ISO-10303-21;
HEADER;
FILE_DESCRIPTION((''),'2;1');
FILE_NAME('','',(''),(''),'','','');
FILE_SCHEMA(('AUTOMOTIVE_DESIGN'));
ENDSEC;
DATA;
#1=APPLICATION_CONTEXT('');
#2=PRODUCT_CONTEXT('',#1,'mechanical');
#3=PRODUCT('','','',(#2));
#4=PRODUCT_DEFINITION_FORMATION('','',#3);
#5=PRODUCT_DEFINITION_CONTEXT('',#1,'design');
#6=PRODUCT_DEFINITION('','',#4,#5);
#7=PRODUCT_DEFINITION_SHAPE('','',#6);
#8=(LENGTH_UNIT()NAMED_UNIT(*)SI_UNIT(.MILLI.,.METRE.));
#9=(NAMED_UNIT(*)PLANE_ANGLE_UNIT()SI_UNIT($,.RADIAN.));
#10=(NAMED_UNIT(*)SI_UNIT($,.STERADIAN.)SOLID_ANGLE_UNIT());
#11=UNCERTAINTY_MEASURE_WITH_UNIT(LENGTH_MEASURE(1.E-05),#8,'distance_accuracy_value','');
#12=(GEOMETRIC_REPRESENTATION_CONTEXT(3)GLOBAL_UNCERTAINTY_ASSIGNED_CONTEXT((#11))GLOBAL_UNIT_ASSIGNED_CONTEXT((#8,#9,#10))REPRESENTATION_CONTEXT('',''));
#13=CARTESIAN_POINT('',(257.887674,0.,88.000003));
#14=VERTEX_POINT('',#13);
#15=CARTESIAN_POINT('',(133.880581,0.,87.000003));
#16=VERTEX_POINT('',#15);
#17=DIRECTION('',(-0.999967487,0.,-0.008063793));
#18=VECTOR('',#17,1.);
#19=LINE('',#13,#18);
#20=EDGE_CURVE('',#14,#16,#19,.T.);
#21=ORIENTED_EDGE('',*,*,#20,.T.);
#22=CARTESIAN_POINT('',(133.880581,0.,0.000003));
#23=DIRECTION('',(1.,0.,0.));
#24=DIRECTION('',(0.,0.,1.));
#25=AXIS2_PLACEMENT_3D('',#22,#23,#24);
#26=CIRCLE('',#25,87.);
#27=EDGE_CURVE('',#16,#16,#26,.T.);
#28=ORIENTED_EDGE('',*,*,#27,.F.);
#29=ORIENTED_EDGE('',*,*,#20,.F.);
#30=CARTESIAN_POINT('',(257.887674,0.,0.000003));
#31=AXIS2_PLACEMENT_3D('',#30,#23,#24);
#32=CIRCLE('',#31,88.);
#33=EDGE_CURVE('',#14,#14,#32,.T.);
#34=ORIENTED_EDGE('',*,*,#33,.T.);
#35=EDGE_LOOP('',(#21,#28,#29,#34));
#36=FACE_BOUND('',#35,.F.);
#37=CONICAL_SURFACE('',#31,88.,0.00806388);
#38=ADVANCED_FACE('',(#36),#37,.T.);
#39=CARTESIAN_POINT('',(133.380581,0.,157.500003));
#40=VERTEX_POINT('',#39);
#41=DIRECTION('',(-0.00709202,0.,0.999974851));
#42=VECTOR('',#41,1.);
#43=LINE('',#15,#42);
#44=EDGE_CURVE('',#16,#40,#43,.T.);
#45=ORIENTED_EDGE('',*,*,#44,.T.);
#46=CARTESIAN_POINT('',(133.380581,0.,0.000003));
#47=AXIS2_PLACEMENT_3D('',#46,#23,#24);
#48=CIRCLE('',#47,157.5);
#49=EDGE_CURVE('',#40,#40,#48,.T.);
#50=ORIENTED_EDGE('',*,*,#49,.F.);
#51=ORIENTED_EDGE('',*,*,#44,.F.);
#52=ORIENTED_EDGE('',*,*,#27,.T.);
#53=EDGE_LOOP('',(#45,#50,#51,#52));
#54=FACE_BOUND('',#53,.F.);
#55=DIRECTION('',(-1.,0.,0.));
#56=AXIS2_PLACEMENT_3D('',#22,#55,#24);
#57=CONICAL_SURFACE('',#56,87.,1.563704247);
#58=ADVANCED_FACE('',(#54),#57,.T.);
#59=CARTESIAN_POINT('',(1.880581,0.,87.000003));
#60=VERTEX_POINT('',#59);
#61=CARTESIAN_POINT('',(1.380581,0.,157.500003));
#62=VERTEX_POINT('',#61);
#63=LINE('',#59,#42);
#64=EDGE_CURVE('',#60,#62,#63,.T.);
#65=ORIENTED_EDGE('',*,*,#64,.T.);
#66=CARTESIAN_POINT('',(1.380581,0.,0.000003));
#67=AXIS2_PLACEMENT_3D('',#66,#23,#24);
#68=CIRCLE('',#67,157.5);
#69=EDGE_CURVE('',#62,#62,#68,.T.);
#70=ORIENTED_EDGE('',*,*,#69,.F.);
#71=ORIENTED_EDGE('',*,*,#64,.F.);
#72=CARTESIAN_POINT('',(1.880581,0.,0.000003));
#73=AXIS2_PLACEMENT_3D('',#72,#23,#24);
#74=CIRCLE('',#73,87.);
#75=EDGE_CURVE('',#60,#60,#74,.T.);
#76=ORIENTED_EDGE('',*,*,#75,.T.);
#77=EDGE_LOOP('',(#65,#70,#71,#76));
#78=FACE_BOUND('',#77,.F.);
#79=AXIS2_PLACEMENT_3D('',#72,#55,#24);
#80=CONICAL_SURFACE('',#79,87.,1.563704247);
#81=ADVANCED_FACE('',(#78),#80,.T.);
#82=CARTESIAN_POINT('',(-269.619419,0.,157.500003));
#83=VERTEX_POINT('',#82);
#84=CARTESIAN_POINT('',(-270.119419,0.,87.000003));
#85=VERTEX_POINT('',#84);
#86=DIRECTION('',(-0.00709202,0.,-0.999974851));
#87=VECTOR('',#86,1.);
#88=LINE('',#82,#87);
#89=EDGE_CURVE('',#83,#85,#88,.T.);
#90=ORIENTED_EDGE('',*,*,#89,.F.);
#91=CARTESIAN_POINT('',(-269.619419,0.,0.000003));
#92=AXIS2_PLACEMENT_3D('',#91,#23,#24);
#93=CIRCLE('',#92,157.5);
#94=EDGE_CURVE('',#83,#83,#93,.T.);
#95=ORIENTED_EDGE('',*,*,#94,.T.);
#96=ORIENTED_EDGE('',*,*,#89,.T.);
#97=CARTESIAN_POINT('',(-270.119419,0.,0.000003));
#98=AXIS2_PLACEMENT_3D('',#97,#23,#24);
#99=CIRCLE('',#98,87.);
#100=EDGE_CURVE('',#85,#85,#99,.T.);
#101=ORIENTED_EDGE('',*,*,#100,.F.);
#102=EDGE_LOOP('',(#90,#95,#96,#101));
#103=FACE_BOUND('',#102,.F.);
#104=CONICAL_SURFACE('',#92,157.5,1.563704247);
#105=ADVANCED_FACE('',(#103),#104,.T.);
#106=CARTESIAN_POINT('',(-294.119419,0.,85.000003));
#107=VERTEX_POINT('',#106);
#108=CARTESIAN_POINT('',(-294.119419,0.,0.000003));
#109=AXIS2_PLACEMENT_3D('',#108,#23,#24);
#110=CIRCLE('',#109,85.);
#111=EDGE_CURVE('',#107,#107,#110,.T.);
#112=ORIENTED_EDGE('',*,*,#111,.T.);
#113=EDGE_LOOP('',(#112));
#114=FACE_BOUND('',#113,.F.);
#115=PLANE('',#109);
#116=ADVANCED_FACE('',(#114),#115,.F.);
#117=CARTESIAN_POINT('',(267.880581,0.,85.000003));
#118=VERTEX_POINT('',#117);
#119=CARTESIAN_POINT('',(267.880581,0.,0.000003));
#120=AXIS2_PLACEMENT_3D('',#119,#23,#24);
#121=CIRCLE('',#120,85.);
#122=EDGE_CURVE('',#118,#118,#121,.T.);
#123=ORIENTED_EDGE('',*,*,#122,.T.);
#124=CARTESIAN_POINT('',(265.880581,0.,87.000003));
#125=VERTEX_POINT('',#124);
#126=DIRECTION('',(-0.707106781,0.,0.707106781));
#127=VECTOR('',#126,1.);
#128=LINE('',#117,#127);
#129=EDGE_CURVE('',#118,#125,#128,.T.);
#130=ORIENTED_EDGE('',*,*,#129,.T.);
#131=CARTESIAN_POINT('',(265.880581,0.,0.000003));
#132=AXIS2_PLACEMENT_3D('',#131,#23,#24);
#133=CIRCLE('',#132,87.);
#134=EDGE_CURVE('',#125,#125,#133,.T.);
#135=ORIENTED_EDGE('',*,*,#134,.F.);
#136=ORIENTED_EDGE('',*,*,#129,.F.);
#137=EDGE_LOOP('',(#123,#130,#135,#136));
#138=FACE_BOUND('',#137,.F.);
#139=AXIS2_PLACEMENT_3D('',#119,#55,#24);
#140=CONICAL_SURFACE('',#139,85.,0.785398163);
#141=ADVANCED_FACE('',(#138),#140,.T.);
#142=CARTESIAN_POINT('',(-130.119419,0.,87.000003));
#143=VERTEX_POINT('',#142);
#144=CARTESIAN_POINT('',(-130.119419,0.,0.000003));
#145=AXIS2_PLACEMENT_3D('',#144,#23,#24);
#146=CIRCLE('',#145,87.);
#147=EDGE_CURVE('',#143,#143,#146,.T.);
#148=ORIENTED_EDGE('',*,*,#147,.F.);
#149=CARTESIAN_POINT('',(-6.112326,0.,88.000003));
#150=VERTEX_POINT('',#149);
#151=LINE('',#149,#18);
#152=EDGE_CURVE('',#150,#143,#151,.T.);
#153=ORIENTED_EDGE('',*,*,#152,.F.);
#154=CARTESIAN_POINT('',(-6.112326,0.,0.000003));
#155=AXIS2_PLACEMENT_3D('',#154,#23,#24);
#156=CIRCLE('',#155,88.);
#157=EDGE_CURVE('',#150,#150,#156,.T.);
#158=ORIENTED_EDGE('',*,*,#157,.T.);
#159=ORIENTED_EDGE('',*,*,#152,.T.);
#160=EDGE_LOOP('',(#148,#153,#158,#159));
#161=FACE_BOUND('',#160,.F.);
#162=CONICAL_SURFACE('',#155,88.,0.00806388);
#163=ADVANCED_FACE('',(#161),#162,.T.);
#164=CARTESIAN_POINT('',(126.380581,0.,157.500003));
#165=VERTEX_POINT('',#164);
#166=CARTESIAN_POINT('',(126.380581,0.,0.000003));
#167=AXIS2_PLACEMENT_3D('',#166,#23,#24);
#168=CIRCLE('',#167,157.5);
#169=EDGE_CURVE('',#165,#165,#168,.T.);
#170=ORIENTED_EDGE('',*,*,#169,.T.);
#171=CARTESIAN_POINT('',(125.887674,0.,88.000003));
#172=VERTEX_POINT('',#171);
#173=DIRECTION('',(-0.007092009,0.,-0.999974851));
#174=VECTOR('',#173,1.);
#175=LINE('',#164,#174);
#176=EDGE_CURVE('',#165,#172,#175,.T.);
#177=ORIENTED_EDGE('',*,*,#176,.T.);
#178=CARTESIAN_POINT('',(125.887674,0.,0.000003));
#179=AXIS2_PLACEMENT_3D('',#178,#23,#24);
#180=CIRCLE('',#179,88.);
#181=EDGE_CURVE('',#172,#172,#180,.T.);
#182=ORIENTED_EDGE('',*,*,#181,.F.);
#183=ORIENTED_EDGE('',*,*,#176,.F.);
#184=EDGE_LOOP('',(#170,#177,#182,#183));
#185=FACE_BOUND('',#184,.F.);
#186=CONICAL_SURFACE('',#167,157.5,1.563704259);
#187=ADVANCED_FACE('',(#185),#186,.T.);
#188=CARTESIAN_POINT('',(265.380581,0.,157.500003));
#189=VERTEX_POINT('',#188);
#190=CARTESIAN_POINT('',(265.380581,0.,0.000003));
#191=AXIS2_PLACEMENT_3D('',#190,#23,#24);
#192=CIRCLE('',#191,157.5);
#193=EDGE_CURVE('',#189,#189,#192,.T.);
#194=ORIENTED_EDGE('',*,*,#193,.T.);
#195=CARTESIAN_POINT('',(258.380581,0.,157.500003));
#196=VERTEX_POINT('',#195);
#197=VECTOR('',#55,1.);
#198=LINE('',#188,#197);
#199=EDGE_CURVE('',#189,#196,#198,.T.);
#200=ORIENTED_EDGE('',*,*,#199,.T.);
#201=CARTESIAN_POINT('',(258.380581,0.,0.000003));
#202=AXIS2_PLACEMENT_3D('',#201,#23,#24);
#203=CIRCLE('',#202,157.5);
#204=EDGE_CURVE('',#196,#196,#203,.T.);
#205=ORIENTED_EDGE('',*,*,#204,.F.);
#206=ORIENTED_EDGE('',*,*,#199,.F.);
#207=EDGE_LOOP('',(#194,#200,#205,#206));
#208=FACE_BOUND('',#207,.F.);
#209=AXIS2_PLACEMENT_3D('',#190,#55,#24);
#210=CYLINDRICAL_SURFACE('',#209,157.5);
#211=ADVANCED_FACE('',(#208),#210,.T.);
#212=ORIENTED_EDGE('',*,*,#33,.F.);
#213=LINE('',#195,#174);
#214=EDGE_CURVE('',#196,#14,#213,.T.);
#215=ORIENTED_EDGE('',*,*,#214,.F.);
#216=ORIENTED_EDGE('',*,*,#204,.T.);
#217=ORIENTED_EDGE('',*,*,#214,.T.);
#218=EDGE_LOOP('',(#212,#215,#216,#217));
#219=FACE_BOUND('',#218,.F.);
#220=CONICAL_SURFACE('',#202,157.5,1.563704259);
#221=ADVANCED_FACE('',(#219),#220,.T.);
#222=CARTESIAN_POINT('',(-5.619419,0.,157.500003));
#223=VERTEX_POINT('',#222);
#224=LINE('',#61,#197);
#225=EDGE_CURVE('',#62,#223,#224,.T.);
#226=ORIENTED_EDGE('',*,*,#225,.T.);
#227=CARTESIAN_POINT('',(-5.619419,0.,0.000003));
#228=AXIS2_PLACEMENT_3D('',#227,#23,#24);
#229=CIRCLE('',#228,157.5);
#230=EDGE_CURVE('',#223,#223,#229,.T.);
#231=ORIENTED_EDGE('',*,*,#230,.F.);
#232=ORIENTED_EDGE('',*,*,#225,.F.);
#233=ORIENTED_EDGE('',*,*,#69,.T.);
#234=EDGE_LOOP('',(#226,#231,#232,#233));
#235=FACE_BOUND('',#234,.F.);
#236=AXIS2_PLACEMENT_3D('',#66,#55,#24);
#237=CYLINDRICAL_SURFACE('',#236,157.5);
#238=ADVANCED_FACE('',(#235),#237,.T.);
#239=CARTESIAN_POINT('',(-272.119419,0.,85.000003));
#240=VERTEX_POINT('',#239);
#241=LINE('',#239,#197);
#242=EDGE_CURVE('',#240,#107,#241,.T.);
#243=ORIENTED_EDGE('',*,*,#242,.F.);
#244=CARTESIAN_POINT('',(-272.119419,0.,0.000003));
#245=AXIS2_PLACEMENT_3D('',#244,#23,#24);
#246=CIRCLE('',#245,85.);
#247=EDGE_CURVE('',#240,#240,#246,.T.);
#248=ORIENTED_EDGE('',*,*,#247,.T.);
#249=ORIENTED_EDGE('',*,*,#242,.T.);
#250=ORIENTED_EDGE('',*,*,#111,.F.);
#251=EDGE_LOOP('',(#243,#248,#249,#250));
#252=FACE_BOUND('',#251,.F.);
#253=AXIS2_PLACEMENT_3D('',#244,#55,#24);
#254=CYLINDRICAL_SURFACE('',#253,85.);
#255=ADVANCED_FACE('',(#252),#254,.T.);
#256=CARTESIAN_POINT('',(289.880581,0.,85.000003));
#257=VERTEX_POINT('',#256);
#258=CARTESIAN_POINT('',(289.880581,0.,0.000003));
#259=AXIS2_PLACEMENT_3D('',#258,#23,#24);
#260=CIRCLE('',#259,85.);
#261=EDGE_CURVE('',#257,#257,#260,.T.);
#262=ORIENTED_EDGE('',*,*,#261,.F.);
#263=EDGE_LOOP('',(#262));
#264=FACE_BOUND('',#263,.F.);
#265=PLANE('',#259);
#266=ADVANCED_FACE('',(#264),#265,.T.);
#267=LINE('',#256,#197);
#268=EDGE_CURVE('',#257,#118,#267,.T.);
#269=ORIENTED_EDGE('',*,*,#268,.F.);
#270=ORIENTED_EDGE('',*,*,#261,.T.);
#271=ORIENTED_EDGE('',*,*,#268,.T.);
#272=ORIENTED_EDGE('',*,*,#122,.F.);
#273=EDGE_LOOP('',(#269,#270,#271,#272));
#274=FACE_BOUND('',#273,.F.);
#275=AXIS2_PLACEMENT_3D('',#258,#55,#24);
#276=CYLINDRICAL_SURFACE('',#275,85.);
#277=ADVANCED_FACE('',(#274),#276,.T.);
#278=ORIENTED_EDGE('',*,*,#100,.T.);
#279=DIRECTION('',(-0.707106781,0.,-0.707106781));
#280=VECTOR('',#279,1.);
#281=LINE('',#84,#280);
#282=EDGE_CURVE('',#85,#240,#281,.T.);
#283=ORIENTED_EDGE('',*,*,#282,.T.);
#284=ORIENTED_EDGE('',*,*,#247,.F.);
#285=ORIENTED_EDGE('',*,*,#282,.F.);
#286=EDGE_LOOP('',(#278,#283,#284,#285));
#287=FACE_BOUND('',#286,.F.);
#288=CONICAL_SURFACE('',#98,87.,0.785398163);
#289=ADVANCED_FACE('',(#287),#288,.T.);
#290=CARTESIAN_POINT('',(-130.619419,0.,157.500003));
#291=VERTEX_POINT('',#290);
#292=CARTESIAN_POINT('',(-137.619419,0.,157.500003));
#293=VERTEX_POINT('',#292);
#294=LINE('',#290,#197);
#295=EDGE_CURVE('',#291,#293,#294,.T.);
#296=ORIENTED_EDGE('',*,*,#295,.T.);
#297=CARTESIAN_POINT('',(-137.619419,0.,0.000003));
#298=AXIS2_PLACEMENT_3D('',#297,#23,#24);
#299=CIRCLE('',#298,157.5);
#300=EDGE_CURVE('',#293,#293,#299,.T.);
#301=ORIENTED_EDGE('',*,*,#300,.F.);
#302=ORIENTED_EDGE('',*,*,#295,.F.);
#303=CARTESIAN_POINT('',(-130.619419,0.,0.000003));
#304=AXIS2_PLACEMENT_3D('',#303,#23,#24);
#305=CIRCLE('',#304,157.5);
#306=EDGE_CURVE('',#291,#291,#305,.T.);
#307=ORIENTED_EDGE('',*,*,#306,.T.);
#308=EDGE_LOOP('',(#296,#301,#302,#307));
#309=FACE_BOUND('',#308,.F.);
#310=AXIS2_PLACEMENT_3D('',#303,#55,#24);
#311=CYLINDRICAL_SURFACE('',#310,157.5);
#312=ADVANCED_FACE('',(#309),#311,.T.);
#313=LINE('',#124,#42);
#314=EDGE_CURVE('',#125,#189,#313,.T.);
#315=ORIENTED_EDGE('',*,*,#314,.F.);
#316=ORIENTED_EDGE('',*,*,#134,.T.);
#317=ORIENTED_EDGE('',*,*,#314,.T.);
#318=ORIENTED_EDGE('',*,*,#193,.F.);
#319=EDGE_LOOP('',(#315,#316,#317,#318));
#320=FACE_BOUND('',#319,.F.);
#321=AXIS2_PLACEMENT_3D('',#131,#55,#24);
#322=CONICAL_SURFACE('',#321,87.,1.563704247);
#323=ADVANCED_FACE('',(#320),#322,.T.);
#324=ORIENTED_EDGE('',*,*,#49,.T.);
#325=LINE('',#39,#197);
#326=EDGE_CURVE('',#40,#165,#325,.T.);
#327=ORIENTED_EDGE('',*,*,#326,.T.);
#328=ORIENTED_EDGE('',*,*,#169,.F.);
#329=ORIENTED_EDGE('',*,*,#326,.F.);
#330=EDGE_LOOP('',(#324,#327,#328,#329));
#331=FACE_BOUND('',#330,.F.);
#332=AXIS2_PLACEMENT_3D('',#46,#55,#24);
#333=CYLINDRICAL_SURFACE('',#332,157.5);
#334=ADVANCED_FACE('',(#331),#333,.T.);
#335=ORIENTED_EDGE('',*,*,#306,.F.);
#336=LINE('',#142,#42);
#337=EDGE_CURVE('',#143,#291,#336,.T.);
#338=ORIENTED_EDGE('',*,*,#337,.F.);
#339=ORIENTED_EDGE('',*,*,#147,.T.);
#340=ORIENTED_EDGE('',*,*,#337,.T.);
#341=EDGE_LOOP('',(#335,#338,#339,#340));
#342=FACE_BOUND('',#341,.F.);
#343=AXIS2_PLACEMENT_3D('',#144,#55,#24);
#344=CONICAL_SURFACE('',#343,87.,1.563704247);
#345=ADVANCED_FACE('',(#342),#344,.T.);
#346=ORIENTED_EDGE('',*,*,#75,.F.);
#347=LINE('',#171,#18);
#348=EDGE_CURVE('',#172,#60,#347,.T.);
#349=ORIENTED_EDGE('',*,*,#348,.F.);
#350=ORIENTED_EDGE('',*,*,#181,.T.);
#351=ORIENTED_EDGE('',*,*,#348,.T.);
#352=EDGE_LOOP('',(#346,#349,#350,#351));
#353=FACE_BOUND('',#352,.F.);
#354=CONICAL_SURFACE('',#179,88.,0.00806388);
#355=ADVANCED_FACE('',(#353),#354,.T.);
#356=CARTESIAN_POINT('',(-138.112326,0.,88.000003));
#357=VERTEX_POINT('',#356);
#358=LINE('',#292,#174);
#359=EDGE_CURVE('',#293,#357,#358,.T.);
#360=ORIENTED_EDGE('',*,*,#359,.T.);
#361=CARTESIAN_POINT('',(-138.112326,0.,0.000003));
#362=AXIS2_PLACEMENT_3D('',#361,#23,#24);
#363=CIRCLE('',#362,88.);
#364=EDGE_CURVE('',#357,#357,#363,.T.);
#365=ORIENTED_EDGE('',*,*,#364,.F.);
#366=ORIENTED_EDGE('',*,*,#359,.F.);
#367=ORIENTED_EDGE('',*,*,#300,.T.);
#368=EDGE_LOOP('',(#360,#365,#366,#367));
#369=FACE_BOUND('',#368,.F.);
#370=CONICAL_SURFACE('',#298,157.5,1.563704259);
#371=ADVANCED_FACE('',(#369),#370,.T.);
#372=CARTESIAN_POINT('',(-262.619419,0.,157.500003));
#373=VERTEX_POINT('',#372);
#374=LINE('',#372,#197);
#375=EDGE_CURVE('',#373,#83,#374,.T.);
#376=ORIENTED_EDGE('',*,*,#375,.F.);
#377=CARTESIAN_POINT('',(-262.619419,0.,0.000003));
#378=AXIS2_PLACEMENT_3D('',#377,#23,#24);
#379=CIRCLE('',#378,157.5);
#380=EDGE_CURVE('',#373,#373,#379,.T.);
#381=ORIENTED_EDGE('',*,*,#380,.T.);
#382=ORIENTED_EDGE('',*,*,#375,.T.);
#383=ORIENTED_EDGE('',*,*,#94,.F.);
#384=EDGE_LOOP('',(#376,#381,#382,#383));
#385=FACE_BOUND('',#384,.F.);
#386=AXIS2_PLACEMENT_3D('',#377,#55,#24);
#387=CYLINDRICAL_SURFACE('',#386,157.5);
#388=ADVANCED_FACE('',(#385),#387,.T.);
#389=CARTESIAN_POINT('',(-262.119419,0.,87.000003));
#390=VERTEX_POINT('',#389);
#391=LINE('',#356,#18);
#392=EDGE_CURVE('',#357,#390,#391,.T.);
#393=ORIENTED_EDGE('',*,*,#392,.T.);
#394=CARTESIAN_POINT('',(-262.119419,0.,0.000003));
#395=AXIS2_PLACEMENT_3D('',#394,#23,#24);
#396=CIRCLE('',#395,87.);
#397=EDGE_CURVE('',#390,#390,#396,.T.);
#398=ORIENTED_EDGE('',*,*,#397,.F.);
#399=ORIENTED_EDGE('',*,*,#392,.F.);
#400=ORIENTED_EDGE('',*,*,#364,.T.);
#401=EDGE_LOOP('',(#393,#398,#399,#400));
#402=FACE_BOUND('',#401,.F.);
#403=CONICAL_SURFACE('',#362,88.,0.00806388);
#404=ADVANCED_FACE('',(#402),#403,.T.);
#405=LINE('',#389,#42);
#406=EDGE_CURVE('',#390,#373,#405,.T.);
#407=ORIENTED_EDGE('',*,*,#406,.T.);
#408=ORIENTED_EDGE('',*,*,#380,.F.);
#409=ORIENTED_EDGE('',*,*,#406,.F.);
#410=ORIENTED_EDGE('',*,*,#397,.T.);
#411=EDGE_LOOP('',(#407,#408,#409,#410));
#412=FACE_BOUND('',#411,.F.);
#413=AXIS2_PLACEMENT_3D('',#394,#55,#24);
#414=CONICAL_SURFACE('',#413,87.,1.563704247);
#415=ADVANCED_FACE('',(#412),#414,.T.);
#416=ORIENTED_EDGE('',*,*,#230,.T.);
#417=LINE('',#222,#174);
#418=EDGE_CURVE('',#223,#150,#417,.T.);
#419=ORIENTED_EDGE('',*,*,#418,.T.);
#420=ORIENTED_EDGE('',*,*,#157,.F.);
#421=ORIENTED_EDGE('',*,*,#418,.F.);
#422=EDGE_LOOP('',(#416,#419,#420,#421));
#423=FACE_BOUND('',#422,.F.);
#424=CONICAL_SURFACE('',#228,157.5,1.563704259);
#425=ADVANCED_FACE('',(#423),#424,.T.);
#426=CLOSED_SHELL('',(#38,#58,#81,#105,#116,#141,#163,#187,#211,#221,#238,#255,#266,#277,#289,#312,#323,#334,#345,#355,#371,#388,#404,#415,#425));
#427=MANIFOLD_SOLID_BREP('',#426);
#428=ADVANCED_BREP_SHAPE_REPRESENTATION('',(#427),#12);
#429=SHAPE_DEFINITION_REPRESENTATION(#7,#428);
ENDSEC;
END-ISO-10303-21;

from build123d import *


with BuildPart() as f1:
    # F0 (on Front) → F1 (revolve)
    with BuildSketch(Plane.XZ):
        Polygon((267.880581, 85.000003), (265.880581, 87.000003), (265.380581, 157.500003), (258.380581, 157.500003), (257.887674, 88.000003), (133.880581, 87.000003), (133.380581, 157.500003), (126.380581, 157.500003), (125.887674, 88.000003), (1.880581, 87.000003), (1.380581, 157.500003), (-5.619419, 157.500003), (-6.112326, 88.000003), (-130.119419, 87.000003), (-130.619419, 157.500003), (-137.619419, 157.500003), (-138.112326, 88.000003), (-262.119419, 87.000003), (-262.619419, 157.500003), (-269.619419, 157.500003), (-270.119419, 87.000003), (-272.119419, 85.000003), (-294.119419, 85.000003), (-294.119419, 3e-06), (289.880581, 3e-06), (289.880581, 85.000003), align=None)
    revolve(axis=Axis((-2.119419, 0, 3e-06), (1, 0, 0)))


solid = f1.part
